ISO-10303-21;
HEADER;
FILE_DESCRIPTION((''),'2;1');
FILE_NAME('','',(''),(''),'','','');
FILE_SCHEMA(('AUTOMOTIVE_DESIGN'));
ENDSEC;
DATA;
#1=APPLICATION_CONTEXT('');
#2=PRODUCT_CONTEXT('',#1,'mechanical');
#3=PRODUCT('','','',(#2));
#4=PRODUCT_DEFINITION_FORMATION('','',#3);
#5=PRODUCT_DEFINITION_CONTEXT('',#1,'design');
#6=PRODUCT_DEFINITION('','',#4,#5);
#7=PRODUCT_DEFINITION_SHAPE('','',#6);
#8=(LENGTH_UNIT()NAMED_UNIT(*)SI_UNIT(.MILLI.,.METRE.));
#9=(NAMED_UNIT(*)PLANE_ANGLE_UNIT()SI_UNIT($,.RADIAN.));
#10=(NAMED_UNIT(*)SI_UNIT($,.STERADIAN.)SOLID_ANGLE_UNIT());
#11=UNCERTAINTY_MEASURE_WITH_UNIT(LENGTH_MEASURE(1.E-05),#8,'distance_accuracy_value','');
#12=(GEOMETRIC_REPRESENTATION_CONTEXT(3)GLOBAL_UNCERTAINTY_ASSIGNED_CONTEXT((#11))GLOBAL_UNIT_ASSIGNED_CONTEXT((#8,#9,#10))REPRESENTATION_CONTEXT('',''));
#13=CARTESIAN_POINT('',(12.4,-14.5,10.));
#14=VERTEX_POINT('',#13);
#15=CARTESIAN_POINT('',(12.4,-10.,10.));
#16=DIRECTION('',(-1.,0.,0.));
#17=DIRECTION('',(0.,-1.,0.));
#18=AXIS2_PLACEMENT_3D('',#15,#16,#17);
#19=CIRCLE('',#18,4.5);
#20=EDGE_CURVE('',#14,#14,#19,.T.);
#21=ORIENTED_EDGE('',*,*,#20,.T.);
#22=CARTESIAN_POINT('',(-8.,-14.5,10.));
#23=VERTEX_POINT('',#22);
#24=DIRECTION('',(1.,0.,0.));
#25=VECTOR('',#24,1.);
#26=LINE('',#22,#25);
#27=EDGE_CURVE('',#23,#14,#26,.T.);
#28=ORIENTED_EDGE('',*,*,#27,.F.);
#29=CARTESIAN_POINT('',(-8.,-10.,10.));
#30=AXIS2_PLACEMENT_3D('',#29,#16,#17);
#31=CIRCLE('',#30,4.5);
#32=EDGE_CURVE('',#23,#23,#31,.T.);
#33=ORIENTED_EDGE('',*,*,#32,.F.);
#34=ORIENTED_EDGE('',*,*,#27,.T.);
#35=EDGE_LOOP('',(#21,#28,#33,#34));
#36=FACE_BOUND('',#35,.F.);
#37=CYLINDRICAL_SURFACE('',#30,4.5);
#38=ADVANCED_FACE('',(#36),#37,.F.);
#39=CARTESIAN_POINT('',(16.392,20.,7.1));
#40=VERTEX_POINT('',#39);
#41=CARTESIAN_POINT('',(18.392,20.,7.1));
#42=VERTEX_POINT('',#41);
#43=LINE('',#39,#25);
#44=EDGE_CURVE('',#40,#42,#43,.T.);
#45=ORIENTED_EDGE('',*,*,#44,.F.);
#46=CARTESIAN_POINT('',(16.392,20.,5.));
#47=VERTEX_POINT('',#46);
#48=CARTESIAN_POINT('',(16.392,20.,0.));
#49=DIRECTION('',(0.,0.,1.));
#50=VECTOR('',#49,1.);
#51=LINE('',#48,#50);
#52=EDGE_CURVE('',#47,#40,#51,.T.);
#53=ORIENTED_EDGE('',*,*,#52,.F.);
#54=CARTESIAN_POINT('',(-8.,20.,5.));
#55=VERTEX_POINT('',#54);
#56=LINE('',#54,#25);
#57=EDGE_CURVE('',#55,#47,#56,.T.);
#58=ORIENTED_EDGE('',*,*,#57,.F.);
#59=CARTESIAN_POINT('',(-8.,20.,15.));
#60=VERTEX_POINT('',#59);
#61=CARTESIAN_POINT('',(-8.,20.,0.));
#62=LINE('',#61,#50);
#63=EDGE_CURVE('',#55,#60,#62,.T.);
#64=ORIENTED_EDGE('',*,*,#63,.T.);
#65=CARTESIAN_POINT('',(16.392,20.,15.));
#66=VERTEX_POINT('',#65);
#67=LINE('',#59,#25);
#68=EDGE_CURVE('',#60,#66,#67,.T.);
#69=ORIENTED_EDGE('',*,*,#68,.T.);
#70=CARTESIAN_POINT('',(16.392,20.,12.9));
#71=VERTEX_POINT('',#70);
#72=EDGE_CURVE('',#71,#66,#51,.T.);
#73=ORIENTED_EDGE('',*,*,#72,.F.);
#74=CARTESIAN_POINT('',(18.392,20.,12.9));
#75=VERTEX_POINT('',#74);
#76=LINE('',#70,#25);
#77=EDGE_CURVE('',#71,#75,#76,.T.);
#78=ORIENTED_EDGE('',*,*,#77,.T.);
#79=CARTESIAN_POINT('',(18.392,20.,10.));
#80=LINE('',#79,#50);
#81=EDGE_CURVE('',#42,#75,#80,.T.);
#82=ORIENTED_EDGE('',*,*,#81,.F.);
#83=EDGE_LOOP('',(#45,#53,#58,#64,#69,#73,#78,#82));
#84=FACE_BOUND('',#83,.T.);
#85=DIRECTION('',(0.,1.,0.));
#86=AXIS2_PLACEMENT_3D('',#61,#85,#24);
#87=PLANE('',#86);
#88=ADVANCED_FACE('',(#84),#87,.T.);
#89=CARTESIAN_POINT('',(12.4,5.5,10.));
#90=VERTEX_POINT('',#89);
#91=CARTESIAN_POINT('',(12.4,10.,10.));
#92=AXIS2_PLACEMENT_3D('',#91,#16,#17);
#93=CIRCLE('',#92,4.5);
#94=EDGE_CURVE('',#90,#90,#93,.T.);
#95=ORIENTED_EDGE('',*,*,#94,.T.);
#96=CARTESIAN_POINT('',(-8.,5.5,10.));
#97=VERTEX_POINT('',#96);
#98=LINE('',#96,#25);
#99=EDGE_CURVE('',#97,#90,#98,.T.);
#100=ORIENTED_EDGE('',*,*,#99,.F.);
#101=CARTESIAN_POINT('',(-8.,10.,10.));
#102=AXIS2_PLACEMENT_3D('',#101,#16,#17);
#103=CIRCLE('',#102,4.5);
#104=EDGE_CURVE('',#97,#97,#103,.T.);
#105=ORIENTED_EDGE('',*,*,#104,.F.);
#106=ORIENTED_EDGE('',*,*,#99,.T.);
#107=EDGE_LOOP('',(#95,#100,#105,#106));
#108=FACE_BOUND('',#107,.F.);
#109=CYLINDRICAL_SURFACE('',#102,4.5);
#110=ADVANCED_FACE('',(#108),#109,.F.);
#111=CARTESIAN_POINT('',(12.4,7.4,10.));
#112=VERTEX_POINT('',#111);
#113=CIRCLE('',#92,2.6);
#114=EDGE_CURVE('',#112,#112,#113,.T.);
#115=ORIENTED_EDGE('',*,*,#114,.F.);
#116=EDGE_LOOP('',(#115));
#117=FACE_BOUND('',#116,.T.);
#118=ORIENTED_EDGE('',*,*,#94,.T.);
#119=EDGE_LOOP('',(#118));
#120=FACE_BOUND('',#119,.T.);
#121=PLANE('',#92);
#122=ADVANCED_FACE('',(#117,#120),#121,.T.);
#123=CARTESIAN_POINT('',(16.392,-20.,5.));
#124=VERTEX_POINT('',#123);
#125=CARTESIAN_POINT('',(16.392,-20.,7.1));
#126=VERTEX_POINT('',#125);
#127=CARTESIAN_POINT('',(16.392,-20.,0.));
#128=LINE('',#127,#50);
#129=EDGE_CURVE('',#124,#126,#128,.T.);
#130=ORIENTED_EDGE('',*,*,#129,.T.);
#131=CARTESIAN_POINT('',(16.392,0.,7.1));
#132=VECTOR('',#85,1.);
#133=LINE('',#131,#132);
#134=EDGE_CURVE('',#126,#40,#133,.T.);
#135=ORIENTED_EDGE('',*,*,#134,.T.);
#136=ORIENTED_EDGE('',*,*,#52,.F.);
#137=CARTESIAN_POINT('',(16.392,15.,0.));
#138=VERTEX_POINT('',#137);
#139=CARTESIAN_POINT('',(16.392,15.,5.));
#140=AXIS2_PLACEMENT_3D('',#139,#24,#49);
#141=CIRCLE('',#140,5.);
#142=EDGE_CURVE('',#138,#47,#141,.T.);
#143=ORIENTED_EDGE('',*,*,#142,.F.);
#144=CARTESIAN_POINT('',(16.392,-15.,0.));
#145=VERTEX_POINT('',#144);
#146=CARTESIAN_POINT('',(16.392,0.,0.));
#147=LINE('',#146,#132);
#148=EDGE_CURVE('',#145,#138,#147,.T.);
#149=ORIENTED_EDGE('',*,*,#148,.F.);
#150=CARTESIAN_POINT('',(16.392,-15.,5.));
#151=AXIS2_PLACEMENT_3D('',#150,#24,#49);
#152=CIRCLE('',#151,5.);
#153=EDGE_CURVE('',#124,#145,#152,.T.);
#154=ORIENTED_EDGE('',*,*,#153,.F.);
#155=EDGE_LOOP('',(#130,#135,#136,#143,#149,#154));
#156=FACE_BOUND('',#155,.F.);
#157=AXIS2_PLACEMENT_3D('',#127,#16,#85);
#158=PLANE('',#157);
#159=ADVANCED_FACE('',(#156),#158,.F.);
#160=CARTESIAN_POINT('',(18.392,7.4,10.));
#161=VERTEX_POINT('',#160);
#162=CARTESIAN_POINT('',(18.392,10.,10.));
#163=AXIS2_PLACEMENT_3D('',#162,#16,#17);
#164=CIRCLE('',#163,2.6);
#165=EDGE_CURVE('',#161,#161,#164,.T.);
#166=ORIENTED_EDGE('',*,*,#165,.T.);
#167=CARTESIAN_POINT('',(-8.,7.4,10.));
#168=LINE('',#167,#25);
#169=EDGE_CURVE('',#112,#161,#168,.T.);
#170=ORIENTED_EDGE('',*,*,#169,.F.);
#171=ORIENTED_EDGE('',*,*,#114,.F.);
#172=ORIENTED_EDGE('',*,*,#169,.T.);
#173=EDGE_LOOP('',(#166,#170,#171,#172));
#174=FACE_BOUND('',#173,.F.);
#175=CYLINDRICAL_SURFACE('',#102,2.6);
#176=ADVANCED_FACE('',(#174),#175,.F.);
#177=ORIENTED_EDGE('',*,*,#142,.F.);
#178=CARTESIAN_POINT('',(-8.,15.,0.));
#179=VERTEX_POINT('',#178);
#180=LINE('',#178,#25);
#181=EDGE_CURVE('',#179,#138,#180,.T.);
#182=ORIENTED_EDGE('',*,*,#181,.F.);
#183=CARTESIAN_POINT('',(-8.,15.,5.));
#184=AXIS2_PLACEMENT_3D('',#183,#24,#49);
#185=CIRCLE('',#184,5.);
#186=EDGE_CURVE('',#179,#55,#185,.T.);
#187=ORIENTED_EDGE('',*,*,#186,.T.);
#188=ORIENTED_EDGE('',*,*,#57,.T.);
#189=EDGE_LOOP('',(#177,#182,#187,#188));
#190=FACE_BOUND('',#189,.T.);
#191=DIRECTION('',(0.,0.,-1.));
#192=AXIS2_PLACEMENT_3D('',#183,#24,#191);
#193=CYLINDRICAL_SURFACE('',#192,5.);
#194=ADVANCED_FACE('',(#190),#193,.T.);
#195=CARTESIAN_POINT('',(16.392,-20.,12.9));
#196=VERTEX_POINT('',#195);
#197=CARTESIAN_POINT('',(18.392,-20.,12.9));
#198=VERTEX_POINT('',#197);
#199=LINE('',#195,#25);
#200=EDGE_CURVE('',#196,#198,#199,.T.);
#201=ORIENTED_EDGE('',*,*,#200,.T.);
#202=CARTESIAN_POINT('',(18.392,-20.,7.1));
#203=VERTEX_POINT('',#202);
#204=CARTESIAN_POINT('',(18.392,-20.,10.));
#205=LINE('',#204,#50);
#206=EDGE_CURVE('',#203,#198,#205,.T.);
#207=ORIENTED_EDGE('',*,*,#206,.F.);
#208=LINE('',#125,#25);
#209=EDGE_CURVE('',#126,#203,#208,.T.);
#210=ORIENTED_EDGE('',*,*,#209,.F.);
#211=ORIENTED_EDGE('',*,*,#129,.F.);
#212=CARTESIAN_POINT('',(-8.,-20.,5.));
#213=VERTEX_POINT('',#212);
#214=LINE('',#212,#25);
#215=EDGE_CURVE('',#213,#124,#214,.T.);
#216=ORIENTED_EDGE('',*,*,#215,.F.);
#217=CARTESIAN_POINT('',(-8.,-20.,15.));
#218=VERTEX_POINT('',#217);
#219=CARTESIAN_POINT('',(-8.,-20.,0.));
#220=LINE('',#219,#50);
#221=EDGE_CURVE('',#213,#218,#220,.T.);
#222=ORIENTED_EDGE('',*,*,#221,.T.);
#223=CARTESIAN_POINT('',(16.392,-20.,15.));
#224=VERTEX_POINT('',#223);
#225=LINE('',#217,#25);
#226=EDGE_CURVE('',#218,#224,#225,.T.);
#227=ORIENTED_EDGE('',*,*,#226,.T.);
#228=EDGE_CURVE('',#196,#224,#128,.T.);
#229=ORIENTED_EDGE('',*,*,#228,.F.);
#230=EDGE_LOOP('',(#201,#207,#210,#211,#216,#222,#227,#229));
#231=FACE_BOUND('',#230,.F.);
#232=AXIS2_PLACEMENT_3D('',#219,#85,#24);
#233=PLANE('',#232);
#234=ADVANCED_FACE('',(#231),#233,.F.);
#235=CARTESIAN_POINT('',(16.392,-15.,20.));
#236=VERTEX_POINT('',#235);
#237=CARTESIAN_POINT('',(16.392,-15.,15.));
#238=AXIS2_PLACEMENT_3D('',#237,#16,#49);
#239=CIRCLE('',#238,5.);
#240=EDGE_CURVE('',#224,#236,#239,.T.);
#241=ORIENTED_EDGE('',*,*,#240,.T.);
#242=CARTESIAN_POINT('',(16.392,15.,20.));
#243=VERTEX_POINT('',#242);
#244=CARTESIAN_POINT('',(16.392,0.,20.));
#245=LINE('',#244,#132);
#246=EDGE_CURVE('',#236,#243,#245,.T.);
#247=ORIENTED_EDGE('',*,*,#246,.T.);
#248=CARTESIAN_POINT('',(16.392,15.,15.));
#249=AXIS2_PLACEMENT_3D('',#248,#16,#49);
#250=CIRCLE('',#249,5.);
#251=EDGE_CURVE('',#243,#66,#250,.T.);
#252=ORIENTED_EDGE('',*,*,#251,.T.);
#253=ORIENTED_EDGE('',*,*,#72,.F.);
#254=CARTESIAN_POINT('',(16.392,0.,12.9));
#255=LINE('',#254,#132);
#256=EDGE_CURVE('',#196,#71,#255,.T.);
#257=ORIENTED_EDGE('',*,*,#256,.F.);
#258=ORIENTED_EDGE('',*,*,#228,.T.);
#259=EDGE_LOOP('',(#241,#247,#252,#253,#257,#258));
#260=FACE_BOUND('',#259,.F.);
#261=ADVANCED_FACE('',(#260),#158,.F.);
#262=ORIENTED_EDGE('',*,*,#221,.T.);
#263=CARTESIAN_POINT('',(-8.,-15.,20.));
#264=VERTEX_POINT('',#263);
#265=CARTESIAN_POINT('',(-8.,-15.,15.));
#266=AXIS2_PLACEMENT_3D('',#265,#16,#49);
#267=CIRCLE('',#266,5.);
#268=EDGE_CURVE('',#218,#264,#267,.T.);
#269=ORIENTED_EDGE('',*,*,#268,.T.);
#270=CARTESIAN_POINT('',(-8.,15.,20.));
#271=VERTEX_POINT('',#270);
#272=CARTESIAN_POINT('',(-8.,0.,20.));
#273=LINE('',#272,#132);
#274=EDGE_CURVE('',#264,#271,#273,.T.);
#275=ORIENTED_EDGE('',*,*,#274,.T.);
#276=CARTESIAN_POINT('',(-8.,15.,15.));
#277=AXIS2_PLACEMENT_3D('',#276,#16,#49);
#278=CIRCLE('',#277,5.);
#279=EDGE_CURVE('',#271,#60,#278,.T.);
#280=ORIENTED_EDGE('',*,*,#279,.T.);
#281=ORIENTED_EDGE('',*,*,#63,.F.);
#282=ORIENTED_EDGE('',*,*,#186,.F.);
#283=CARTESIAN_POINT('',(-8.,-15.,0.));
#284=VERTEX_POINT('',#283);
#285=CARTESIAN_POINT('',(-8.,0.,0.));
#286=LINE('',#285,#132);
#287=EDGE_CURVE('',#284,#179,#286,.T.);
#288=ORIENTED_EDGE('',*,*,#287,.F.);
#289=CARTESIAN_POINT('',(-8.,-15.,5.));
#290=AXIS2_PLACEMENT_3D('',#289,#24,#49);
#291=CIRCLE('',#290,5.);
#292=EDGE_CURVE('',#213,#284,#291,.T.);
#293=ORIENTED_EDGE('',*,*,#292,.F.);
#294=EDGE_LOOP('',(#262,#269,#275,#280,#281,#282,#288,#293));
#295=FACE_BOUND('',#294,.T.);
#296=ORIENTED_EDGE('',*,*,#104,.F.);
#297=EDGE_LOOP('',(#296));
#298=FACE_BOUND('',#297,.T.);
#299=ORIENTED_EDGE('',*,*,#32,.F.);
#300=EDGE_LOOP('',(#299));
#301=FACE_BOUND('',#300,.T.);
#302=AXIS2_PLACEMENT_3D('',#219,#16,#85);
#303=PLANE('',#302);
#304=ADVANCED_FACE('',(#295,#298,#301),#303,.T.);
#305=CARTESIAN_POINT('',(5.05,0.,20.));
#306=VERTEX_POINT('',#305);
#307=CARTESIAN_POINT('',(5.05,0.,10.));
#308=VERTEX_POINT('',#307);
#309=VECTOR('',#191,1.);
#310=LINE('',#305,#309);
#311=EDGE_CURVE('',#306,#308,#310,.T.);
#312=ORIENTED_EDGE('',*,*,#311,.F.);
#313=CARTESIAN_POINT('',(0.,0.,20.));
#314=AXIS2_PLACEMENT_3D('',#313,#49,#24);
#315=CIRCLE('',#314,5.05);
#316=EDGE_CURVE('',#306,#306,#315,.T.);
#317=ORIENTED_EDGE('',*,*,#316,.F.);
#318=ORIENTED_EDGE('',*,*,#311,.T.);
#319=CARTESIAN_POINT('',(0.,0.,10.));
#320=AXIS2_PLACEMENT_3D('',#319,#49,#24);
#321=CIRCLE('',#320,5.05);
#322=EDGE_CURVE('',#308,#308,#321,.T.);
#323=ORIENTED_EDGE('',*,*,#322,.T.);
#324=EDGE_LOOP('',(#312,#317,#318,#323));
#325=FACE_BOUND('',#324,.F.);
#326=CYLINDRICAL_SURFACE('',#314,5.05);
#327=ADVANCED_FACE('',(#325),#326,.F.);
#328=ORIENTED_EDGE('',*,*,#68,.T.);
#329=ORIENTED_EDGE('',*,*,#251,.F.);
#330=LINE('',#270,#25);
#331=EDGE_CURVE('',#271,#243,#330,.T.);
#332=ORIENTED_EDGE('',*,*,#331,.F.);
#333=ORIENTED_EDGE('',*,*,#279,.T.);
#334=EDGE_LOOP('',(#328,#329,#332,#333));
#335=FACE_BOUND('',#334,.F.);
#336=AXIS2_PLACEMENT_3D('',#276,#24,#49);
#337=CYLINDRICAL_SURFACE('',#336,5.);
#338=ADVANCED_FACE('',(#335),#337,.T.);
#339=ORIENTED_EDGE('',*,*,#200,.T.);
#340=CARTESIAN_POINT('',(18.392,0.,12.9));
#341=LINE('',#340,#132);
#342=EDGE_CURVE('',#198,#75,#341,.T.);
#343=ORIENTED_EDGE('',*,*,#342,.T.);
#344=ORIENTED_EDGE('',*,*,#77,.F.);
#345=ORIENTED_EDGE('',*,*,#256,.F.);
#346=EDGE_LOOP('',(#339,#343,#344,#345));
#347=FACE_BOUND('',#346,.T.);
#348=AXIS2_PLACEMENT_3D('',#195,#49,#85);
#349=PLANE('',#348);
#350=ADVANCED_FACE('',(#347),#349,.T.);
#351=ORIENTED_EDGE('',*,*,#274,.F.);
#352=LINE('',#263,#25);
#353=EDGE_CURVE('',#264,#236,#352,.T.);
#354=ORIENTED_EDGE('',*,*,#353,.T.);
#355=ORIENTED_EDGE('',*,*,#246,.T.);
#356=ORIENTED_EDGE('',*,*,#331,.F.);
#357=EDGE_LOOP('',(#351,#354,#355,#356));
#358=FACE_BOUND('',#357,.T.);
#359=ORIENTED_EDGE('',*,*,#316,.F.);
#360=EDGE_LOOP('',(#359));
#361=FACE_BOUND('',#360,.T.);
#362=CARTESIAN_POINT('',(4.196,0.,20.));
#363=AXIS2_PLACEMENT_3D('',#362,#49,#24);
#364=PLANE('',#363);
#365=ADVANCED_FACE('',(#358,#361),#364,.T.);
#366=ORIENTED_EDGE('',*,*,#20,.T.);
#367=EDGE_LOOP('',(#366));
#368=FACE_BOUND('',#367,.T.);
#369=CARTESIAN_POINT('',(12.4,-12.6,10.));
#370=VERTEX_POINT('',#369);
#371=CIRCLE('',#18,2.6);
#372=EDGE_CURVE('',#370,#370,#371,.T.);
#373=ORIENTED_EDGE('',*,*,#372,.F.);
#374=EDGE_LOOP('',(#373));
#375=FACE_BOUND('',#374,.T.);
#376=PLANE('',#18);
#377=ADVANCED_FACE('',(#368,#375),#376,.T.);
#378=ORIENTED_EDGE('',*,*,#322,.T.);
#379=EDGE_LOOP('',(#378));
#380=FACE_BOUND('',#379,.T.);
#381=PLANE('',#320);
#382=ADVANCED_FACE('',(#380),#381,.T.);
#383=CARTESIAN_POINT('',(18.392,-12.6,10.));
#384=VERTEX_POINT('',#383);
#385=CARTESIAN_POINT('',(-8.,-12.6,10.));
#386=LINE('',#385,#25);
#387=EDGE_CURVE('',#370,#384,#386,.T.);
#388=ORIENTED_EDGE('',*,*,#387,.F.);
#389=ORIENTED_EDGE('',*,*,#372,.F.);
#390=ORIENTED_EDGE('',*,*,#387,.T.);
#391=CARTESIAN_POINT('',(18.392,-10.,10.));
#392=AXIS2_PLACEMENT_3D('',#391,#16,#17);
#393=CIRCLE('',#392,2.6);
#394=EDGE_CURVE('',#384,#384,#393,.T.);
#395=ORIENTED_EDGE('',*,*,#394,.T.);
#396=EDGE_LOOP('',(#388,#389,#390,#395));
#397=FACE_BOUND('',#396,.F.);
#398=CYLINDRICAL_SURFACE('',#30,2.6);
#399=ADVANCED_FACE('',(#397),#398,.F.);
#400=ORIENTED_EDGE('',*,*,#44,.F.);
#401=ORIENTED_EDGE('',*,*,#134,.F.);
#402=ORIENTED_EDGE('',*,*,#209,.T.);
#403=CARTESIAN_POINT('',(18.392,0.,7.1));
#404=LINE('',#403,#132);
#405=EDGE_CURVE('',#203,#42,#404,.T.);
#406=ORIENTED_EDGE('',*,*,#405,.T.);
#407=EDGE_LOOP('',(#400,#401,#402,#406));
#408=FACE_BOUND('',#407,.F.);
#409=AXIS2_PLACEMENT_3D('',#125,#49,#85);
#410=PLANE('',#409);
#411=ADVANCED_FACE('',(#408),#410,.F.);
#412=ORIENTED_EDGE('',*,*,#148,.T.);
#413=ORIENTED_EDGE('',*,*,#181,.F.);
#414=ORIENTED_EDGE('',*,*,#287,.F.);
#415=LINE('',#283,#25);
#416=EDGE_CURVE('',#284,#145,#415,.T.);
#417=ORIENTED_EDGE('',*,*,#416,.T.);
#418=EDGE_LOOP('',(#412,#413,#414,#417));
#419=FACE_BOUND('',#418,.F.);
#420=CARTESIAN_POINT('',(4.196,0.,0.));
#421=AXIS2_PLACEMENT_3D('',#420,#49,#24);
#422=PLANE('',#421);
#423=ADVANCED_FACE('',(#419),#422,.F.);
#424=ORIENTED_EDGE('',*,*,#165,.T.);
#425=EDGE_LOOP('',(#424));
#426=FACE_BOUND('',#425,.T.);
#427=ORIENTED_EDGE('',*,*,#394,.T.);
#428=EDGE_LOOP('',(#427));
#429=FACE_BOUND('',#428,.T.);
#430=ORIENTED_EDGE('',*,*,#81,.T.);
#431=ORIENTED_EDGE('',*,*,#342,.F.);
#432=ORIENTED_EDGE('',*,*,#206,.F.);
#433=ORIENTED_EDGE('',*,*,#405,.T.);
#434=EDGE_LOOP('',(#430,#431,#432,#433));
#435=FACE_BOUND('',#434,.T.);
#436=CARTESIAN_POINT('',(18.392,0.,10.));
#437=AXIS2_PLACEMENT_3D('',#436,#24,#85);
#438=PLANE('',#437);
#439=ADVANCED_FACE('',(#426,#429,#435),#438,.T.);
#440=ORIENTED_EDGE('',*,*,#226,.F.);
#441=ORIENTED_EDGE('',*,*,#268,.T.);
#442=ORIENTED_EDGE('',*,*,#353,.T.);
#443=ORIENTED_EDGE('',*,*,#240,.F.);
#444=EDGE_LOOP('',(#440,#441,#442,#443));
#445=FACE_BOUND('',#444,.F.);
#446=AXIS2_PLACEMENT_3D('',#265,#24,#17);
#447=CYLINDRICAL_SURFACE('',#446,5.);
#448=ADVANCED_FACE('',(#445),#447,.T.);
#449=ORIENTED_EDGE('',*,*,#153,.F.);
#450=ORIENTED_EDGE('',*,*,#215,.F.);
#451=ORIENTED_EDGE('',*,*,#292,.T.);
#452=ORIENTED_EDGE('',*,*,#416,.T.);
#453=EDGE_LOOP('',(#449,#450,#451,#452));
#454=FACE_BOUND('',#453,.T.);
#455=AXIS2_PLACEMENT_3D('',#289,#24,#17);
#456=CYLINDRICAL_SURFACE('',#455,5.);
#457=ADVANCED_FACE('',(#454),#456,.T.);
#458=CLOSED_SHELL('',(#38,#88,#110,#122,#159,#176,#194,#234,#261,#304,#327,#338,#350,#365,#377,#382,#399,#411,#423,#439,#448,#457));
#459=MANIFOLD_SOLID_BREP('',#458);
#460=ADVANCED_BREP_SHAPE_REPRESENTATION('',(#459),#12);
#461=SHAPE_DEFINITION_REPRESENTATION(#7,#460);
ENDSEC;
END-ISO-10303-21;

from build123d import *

# Parameters (mm, degrees)
F0_W     = 24.392
F0_H     = 40
F1_DEPTH = 20
F2_R     = 5.05
F3_DEPTH = 10
F4_W     = 40
F4_H     = 5.8
F5_DEPTH = 2
F6_R     = 2.6
F7_DEPTH = 26.393
F8_R     = 4.5
F9_DEPTH = 20.4
F10_R    = 5


with BuildPart() as f1:
    # F0 (on Top) → F1 (new body)
    with BuildSketch(Plane.XY):
        with Locations((4.196, 0)):
            Rectangle(F0_W, F0_H)
    extrude(amount=F1_DEPTH)

    # F2 (on face) → F3 (cut)
    with BuildSketch(Plane.XY.offset(20)):
        Circle(F2_R)
    extrude(amount=-F3_DEPTH, mode=Mode.SUBTRACT)

    # F4 (on face) → F5 (join)
    with BuildSketch(Plane.YZ.offset(16.392)):
        with Locations((0, 10)):
            Rectangle(F4_W, F4_H)
    extrude(amount=F5_DEPTH)

    # F6 (on face) → F7 (cut, through all)
    with BuildSketch(Plane(origin=(-8, 0, 0), x_dir=(0, -1, 0), z_dir=(-1, 0, 0))):
        with Locations((-10, 10)):
            Circle(F6_R)
        with Locations((10, 10)):
            Circle(F6_R)
    extrude(amount=-F7_DEPTH, mode=Mode.SUBTRACT)

    # F8 (on face) → F9 (cut)
    with BuildSketch(Plane(origin=(-8, 0, 0), x_dir=(0, -1, 0), z_dir=(-1, 0, 0))):
        with Locations((-10, 10)):
            Circle(F8_R)
        with Locations((10, 10)):
            Circle(F8_R)
    extrude(amount=-F9_DEPTH, mode=Mode.SUBTRACT)

    # F10
    f10_edges = [f1.edges().sort_by_distance(p)[0] for p in [
        (4.196, -20, 20),
        (4.196, 20, 20),
        (4.196, -20, 0),
        (4.196, 20, 0),
    ]]
    fillet(f10_edges, radius=F10_R)


solid = f1.part
